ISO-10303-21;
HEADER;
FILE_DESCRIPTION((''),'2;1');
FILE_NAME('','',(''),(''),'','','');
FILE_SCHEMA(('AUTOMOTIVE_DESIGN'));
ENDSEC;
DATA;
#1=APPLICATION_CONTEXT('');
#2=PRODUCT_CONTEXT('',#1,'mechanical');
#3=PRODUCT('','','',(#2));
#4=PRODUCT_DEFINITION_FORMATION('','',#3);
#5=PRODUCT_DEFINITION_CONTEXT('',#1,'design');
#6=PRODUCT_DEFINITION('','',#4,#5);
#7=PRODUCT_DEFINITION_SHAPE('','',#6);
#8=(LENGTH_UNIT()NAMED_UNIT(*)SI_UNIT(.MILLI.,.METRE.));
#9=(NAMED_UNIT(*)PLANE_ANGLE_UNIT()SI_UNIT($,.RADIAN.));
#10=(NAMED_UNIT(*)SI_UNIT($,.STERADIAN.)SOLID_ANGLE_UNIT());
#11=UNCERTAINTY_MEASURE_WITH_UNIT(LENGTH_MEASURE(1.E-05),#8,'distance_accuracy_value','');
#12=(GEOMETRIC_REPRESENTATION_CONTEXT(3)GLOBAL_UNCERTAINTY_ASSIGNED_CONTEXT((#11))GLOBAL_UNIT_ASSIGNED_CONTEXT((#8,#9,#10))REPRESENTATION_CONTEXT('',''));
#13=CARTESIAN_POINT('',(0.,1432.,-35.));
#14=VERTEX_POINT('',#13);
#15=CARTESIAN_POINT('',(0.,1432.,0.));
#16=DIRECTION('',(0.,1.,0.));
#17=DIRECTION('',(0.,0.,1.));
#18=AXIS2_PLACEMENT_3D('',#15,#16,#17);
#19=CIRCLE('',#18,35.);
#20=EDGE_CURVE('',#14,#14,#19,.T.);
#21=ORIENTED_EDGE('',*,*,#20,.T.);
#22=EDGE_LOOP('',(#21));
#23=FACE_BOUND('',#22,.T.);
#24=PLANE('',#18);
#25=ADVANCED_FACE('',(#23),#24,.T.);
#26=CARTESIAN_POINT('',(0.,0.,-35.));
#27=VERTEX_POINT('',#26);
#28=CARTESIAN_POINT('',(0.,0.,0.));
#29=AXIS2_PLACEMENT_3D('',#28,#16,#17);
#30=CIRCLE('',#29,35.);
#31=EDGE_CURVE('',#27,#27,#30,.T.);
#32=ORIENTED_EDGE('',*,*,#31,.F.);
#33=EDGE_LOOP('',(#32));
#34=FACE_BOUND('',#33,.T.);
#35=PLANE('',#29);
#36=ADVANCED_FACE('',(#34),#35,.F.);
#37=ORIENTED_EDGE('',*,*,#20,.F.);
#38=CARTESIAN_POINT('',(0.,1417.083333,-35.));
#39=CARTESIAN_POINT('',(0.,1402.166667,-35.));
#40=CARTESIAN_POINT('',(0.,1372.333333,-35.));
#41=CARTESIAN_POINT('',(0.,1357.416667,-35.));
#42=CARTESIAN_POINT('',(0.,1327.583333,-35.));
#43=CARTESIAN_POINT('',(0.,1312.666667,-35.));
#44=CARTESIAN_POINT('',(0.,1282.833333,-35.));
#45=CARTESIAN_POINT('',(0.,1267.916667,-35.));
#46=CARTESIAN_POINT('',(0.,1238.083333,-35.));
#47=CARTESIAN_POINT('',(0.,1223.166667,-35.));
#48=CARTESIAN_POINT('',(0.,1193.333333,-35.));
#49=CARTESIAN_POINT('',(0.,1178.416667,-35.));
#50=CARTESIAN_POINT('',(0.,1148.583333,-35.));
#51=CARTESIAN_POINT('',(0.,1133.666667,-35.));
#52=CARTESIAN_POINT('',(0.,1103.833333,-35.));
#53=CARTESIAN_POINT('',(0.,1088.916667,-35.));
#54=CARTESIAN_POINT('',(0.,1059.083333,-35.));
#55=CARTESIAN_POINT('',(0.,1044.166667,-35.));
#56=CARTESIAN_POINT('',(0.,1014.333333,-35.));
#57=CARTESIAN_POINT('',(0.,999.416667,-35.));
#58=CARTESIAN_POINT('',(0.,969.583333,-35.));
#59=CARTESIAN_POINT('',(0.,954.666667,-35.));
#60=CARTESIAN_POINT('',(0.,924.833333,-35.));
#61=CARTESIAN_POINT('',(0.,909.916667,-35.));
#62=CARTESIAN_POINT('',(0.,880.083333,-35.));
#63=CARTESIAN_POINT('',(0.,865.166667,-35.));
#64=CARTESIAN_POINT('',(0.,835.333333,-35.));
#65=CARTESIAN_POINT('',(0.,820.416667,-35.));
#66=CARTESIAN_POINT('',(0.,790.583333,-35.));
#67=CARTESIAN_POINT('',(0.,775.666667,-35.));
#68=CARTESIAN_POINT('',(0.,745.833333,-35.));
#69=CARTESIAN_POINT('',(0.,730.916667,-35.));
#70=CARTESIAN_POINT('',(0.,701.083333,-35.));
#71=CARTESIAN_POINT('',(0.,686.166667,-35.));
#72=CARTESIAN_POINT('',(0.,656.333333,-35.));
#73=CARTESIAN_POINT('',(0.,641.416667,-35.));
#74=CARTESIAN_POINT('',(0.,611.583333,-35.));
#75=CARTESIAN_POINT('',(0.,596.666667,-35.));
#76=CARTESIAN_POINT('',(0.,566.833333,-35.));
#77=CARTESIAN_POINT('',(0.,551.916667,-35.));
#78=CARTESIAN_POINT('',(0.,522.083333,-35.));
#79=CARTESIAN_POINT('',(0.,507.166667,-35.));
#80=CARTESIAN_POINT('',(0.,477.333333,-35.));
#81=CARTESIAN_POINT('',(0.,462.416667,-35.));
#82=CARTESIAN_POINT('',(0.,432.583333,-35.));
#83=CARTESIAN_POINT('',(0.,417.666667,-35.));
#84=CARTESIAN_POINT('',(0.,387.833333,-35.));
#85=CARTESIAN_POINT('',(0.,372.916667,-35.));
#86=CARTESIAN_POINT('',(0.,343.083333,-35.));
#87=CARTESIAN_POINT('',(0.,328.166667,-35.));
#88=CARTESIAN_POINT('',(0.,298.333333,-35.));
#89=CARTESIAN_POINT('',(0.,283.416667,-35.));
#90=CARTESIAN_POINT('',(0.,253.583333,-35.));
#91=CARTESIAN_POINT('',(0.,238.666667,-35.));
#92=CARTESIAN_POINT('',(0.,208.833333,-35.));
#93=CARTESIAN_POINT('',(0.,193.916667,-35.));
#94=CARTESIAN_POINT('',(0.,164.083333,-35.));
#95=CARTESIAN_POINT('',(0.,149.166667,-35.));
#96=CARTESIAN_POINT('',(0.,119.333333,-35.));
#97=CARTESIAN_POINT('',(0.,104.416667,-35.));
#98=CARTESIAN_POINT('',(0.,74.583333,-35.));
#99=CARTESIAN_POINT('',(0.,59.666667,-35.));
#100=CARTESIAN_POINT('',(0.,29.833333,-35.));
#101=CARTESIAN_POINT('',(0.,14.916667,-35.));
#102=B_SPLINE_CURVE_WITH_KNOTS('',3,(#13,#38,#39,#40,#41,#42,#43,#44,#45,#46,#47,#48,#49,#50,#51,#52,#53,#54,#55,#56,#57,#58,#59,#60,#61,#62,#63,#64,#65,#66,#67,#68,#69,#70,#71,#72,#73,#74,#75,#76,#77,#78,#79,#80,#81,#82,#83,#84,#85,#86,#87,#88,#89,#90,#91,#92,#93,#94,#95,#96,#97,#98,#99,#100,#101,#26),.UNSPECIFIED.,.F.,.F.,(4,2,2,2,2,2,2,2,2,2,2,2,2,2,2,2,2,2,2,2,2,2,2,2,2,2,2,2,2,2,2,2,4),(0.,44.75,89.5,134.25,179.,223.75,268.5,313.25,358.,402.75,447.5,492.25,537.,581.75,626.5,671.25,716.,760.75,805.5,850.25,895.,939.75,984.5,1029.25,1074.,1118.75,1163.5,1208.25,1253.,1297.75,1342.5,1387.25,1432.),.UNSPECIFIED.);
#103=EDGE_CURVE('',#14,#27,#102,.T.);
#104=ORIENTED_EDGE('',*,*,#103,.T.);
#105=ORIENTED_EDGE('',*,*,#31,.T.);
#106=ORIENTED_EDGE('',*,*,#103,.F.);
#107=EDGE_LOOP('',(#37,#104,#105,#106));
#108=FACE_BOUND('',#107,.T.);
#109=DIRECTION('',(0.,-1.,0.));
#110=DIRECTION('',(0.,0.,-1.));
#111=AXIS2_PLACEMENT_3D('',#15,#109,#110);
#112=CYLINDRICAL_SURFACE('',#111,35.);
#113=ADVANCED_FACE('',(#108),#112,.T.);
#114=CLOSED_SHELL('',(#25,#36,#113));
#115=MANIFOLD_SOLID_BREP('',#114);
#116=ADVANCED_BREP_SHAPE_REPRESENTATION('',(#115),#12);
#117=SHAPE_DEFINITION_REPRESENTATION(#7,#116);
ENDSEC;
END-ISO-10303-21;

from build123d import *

# Parameters (mm, degrees)
SKETCH_1_R      = 35
EXTRUDE_1_DEPTH = 1432


with BuildPart() as part:
    # 草图1 → 凸台-拉伸1 (new body)
    with BuildSketch(Plane(origin=(0, 0, 0), x_dir=(1, 0, 0), z_dir=(0, 1, 0))):
        with Locations(Location((0, 0, 0), (0, 0, 90))):
            Circle(SKETCH_1_R)
    extrude(amount=EXTRUDE_1_DEPTH)


solid = part.part
